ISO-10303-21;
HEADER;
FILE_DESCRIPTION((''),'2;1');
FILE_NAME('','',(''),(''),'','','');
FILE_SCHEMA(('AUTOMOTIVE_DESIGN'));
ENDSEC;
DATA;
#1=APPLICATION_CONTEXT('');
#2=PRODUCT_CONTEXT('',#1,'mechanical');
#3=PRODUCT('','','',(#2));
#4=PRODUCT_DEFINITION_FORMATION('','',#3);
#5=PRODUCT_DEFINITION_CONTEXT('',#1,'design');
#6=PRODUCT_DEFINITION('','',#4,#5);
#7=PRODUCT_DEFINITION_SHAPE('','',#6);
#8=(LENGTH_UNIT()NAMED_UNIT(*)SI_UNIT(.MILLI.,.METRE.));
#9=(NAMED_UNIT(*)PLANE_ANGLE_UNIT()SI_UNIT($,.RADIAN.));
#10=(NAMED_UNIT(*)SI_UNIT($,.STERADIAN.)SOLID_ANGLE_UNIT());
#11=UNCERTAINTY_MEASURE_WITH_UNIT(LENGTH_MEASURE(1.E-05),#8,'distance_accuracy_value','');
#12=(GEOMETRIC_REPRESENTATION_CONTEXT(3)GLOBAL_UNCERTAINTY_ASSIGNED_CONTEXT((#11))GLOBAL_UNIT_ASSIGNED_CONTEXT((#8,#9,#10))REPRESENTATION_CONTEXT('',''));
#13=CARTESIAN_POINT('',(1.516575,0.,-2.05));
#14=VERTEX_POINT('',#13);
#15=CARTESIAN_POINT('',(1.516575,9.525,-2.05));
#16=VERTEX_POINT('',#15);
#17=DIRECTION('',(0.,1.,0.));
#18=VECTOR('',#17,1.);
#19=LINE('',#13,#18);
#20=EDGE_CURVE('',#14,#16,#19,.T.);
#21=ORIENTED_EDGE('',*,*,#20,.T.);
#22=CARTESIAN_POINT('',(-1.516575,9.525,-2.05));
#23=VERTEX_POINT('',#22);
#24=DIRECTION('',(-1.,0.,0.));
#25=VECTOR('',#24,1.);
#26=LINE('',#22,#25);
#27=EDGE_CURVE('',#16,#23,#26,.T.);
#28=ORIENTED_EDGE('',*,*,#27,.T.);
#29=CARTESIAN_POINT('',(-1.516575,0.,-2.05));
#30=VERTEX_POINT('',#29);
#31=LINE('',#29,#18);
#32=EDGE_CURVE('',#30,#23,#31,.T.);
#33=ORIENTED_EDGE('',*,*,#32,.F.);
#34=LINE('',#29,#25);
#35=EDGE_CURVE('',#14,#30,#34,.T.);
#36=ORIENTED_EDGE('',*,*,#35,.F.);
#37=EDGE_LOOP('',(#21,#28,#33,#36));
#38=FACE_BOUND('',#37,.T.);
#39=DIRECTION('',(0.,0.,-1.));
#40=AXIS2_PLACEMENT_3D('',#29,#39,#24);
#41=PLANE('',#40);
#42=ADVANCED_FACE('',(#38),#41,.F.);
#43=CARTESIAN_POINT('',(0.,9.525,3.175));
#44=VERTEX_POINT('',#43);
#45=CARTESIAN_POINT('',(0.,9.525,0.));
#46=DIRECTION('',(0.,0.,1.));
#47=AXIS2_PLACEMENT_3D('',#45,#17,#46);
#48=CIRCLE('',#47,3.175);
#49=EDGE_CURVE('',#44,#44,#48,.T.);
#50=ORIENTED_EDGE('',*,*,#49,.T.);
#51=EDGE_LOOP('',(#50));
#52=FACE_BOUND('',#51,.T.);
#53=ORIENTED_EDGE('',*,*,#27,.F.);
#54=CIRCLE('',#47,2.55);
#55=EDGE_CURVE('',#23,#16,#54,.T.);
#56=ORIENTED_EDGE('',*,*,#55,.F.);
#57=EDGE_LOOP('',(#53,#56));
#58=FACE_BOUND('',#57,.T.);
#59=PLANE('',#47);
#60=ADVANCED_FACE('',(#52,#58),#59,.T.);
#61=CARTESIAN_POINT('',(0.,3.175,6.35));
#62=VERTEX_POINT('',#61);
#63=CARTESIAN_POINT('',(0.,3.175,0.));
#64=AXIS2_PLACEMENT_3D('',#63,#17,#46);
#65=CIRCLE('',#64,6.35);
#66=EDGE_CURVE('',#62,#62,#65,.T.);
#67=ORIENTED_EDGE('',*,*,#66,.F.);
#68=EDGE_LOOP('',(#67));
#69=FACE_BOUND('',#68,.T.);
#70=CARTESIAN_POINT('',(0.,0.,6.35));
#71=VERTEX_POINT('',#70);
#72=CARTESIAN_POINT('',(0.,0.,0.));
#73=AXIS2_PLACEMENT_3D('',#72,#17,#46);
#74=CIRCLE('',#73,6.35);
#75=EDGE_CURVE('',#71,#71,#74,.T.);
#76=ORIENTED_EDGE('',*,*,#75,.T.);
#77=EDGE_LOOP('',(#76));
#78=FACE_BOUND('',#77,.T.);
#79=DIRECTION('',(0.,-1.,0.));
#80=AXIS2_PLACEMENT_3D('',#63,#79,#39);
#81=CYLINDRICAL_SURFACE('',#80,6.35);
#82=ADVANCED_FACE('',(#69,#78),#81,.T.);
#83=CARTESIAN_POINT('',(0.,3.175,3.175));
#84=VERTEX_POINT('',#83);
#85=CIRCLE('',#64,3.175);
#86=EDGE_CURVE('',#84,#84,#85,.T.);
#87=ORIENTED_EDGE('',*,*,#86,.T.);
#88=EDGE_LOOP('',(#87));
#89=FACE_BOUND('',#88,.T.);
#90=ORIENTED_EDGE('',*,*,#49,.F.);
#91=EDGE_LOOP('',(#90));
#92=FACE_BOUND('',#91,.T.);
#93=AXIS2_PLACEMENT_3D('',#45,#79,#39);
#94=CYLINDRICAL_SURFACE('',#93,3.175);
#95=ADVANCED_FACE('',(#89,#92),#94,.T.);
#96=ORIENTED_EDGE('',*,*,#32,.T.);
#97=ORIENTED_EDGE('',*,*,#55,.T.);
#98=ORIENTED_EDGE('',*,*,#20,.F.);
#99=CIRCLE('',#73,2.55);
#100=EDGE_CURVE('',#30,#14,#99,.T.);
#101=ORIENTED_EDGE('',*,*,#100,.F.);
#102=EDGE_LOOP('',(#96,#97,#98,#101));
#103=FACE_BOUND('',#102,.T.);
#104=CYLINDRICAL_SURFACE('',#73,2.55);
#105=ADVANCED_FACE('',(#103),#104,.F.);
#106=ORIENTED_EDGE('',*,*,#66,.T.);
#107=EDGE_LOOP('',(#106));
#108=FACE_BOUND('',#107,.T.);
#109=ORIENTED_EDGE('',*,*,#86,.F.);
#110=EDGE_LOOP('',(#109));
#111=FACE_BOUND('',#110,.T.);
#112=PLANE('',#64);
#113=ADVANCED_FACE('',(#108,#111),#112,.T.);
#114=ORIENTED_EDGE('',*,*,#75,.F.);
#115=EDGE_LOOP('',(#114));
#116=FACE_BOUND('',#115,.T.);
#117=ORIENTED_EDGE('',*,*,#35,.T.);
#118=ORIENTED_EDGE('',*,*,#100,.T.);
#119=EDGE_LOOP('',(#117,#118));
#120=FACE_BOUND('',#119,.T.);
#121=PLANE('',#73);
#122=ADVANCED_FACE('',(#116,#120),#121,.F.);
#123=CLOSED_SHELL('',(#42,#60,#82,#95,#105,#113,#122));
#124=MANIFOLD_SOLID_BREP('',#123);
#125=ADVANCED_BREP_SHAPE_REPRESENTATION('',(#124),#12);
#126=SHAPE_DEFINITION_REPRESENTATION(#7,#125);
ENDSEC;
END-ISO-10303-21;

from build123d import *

# Parameters (mm, degrees)
SKETCH1_R           = 6.35
BOSS_EXTRUDE1_DEPTH = 3.175
SKETCH2_R           = 3.175
BOSS_EXTRUDE2_DEPTH = 6.35
CUT_EXTRUDE1_DEPTH  = 14.090860361


with BuildPart() as part:
    # Sketch1 → Boss-Extrude1 (new body)
    with BuildSketch(Plane(origin=(0, 0, 0), x_dir=(1, 0, 0), z_dir=(0, 1, 0))):
        with Locations(Location((0, 0, 0), (0, 0, 270))):
            Circle(SKETCH1_R)
    extrude(amount=BOSS_EXTRUDE1_DEPTH)

    # Sketch2 → Boss-Extrude2 (add)
    with BuildSketch(Plane(origin=(0, 3.175, 0), x_dir=(1, 0, 0), z_dir=(0, 1, 0))):
        with Locations(Location((0, 0, 0), (0, 0, 270))):
            Circle(SKETCH2_R)
    extrude(amount=BOSS_EXTRUDE2_DEPTH)

    # Sketch3 → Cut-Extrude1 (cut, through all)
    with BuildSketch(Plane(origin=(0, 9.525, 0), x_dir=(1, 0, 0), z_dir=(0, 1, 0))):
        with BuildLine():
            Line((-1.516575089, 2.05), (1.516575089, 2.05))
            ThreePointArc((1.516575089, 2.05), (0, -2.55), (-1.516575089, 2.05))
        make_face()
    extrude(amount=-CUT_EXTRUDE1_DEPTH, mode=Mode.SUBTRACT)


solid = part.part
